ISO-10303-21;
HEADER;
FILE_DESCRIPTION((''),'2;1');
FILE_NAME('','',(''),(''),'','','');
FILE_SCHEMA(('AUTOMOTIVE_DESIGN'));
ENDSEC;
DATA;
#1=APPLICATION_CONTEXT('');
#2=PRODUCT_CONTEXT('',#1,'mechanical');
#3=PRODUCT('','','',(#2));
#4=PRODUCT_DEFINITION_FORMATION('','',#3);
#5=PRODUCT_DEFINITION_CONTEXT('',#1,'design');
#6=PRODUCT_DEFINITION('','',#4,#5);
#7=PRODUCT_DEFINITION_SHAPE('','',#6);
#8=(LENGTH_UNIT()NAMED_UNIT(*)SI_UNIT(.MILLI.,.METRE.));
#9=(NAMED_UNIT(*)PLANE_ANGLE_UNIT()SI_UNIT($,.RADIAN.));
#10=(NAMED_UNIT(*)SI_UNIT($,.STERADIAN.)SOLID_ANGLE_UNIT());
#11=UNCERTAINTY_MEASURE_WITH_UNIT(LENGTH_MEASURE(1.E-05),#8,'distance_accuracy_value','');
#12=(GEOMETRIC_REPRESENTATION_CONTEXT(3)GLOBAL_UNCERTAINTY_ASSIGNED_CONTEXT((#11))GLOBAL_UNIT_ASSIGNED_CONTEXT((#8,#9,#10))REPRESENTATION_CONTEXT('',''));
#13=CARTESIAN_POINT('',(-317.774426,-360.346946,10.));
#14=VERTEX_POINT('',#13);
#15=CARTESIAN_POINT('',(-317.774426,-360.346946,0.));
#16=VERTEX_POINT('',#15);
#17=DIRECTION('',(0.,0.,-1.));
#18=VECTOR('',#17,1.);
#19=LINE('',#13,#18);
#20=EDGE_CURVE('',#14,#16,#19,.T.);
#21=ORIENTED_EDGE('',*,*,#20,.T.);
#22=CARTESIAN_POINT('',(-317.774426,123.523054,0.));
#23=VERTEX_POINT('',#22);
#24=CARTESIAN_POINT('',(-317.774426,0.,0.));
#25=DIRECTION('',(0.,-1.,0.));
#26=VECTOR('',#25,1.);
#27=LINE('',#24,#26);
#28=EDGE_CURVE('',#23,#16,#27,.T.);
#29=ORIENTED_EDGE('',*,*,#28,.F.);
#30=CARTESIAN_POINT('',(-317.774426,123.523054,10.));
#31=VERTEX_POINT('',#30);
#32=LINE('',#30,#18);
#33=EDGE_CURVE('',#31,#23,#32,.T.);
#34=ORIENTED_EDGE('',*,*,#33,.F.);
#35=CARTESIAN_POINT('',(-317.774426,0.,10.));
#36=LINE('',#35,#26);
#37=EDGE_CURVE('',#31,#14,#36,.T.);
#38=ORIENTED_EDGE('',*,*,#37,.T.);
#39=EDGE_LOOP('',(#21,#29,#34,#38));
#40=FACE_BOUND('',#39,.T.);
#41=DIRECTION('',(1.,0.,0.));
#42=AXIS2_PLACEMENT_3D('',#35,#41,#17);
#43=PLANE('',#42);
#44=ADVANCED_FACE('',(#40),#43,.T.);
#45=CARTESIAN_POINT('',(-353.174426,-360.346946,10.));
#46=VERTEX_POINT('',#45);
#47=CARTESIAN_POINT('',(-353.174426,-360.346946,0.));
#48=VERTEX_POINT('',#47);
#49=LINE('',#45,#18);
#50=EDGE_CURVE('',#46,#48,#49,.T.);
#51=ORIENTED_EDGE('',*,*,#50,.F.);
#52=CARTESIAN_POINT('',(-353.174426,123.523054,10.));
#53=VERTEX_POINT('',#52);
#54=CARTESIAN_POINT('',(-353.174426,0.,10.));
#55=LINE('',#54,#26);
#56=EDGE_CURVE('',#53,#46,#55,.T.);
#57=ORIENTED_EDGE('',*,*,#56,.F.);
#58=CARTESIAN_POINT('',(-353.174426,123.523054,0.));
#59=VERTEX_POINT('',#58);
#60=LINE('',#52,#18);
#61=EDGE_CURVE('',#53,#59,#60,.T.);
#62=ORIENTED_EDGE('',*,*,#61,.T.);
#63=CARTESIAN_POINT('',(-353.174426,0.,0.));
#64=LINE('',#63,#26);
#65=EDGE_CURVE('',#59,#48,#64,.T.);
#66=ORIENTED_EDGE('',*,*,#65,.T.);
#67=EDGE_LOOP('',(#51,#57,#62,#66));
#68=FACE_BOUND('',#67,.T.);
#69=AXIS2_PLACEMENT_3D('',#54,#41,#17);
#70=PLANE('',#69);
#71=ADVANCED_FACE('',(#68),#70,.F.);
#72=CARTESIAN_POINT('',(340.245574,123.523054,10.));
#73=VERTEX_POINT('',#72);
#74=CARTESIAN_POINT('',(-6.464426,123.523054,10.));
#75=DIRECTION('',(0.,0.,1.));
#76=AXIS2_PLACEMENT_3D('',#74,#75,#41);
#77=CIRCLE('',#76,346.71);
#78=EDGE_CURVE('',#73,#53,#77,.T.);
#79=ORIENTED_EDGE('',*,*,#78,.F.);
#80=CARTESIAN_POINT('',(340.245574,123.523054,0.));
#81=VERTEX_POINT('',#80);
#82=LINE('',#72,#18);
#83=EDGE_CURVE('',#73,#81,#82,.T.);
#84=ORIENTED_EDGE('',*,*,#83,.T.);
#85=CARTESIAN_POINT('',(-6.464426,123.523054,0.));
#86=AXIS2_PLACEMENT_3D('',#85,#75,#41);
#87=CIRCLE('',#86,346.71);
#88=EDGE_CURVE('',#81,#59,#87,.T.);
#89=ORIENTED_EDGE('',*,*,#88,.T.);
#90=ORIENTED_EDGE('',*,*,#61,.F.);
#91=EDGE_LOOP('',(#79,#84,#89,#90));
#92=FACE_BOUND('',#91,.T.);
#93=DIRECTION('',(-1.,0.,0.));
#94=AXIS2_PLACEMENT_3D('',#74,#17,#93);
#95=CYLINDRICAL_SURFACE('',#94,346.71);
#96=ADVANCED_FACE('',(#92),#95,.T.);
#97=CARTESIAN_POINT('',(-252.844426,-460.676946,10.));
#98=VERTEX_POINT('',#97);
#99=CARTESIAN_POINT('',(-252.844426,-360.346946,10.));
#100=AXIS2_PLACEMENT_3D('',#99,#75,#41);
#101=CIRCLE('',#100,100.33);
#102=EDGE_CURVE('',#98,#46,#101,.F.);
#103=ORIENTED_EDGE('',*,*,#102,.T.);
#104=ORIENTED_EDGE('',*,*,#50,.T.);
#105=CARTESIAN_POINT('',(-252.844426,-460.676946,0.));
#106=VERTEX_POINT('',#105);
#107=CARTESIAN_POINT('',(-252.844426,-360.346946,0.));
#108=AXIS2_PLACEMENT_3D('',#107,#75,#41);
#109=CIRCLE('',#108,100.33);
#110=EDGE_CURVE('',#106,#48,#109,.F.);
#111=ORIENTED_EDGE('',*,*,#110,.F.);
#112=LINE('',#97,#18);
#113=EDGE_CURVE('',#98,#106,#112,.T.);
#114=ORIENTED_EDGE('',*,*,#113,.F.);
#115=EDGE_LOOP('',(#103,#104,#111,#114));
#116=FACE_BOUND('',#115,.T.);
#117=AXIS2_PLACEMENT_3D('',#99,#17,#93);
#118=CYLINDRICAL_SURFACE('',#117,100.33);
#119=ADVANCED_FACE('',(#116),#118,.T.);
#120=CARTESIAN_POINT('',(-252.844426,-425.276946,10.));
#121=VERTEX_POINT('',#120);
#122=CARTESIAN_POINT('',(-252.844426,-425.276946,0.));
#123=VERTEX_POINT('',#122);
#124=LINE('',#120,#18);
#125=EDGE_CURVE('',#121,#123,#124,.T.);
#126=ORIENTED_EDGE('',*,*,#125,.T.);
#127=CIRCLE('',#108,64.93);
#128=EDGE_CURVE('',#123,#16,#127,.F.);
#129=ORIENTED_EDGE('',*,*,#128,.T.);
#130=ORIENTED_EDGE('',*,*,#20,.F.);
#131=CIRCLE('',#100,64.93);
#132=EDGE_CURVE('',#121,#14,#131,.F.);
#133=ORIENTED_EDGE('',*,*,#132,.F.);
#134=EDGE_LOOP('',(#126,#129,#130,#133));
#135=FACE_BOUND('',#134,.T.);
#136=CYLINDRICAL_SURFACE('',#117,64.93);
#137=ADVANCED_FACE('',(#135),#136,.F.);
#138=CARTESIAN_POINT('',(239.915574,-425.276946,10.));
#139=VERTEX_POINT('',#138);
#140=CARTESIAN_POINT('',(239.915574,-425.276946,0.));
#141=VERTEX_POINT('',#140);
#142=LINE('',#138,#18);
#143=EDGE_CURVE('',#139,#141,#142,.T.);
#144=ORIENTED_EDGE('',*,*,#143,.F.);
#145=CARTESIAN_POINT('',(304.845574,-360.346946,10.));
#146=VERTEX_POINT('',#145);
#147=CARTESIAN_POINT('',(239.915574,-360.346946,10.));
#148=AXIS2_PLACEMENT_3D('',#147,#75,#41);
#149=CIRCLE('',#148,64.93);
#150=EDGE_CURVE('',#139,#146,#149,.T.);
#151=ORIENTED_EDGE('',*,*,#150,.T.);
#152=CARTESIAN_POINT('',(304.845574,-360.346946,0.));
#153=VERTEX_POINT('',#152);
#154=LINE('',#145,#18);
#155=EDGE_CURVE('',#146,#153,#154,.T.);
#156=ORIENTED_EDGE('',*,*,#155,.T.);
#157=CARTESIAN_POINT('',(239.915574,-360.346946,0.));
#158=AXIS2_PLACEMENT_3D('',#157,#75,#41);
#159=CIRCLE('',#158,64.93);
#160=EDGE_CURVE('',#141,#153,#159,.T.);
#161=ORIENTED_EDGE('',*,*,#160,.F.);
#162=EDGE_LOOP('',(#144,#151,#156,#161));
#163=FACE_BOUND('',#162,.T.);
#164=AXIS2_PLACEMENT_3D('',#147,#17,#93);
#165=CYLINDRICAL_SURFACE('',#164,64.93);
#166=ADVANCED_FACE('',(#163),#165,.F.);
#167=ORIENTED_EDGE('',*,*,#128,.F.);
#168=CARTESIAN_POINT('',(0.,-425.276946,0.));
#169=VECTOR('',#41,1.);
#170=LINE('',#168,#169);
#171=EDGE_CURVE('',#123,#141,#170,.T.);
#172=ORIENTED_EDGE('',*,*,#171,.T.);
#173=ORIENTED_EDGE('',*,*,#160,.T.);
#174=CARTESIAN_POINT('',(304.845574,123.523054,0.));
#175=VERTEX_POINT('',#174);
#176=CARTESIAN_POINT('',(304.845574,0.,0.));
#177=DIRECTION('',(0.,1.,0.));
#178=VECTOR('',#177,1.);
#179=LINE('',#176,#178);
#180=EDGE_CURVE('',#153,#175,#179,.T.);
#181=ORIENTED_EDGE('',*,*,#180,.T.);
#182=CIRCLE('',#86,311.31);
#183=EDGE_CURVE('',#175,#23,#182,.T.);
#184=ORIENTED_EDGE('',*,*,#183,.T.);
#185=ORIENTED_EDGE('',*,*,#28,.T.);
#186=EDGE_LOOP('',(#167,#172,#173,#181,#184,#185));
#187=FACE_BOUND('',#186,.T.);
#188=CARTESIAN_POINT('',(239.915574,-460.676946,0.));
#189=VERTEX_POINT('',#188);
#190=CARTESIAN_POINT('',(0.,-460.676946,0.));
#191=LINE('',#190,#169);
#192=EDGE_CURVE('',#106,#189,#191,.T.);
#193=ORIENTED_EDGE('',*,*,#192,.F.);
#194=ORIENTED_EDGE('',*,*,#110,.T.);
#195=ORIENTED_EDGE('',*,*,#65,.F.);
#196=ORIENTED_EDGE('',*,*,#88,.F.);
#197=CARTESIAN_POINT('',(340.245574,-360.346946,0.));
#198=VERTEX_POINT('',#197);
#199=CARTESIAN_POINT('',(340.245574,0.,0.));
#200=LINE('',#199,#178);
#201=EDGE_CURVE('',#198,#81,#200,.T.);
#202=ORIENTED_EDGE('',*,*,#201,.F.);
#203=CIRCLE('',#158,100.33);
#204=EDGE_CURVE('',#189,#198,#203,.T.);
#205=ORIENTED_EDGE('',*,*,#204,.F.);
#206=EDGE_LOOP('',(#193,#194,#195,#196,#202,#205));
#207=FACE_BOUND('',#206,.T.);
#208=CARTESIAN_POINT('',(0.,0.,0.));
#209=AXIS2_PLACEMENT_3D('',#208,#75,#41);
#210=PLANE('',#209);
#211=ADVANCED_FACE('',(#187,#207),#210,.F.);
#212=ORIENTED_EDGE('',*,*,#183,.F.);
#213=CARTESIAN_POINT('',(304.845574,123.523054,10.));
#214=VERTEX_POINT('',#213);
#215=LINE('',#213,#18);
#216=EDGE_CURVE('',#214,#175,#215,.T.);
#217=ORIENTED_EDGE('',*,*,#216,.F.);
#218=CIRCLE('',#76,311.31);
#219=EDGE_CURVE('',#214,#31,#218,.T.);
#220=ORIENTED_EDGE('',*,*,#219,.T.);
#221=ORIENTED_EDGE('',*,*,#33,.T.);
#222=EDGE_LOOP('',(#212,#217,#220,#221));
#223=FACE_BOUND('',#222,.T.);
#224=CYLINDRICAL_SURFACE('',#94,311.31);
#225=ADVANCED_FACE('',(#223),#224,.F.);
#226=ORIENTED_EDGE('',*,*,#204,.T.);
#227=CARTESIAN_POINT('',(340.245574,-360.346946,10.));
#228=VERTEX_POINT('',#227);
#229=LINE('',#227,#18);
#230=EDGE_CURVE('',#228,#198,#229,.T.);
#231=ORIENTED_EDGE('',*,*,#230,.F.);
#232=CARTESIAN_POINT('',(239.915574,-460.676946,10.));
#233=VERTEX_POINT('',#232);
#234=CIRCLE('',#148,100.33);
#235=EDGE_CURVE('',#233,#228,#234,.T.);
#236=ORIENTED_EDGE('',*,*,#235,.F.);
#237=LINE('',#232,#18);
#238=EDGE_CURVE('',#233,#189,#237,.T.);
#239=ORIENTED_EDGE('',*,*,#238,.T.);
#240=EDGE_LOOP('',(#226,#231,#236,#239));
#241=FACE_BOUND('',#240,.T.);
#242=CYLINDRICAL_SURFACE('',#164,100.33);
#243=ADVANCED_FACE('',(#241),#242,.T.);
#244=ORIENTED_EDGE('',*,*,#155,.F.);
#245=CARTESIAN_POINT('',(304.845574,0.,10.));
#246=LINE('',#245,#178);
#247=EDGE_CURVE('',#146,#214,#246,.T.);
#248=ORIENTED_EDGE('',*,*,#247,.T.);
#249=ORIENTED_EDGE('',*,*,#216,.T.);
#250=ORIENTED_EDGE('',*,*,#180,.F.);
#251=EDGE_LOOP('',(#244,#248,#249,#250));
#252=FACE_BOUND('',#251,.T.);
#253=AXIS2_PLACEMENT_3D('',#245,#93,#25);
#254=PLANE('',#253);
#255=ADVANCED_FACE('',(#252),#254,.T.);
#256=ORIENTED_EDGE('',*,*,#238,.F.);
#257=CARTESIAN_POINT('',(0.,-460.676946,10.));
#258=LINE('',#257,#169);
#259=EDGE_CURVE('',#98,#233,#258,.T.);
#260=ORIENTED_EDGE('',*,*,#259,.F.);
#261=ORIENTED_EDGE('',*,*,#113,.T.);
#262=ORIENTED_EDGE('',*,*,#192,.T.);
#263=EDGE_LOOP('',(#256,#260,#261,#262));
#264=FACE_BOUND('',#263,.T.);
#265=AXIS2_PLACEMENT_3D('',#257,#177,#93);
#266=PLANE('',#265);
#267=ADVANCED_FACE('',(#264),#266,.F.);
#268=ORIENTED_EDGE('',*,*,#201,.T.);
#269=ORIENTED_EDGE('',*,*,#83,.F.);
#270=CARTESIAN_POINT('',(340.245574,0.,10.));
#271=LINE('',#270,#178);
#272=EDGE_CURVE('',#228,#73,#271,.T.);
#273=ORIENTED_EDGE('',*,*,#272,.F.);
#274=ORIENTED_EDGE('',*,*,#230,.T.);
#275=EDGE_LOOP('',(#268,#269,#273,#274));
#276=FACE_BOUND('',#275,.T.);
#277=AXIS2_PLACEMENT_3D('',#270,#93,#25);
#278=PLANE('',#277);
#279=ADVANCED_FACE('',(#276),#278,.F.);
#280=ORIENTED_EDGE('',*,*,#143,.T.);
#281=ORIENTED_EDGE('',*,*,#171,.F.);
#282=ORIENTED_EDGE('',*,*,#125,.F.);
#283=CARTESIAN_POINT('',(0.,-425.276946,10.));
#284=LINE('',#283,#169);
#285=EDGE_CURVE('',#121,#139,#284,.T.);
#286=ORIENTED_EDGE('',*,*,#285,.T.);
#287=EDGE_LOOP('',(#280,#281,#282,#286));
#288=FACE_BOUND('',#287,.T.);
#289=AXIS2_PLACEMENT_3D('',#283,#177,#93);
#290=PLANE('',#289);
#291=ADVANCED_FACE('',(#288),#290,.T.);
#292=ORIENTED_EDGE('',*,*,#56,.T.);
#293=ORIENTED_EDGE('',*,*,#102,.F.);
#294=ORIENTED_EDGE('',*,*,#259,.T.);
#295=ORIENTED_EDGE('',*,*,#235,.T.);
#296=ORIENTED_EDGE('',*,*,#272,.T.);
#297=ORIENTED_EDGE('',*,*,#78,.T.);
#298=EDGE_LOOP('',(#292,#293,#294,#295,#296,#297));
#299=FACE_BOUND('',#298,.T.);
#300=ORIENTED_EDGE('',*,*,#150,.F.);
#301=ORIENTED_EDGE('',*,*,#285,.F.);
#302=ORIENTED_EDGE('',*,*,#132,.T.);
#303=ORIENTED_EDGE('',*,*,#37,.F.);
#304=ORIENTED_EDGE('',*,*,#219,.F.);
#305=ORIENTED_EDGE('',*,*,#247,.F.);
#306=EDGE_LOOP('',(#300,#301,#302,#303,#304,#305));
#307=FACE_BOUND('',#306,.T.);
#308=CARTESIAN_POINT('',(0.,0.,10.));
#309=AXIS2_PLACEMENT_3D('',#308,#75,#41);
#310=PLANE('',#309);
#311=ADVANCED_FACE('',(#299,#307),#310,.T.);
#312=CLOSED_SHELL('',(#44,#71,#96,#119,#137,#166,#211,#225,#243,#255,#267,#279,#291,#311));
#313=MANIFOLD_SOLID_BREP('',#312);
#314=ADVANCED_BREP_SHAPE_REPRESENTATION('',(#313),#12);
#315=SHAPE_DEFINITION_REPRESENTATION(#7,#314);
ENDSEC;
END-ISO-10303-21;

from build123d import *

# Parameters (mm, degrees)
BOSS_EXTRUDE1_DEPTH = 10


with BuildPart() as part:
    # Sketch2 → Boss-Extrude1 (new body)
    with BuildSketch(Plane.XY):
        with BuildLine():
            Line((340.245573827, -360.346945872), (340.245573827, 123.523054128))
            ThreePointArc((340.245573827, 123.523054128), (-6.464426173, 470.233054128), (-353.174426173, 123.523054128))
            Line((-353.174426173, 123.523054128), (-353.174426173, -360.346945872))
            ThreePointArc((-353.174426173, -360.346945872), (-323.78844953, -431.290969228), (-252.844426173, -460.676945872))
            Line((-252.844426173, -460.676945872), (239.915573827, -460.676945872))
            ThreePointArc((239.915573827, -460.676945872), (310.859597183, -431.290969228), (340.245573827, -360.346945872))
        make_face()
        with BuildLine():
            ThreePointArc((304.845573827, 123.523054128), (-6.464426173, 434.833054128), (-317.774426173, 123.523054128))
            Line((-317.774426173, 123.523054128), (-317.774426173, -360.346945872))
            ThreePointArc((-317.774426173, -360.346945872), (-298.756869476, -406.259389174), (-252.844426173, -425.276945872))
            Line((-252.844426173, -425.276945872), (239.915573827, -425.276945872))
            ThreePointArc((239.915573827, -425.276945872), (285.828017129, -406.259389174), (304.845573827, -360.346945872))
            Line((304.845573827, -360.346945872), (304.845573827, 123.523054128))
        make_face(mode=Mode.SUBTRACT)
    extrude(amount=BOSS_EXTRUDE1_DEPTH)


solid = part.part
